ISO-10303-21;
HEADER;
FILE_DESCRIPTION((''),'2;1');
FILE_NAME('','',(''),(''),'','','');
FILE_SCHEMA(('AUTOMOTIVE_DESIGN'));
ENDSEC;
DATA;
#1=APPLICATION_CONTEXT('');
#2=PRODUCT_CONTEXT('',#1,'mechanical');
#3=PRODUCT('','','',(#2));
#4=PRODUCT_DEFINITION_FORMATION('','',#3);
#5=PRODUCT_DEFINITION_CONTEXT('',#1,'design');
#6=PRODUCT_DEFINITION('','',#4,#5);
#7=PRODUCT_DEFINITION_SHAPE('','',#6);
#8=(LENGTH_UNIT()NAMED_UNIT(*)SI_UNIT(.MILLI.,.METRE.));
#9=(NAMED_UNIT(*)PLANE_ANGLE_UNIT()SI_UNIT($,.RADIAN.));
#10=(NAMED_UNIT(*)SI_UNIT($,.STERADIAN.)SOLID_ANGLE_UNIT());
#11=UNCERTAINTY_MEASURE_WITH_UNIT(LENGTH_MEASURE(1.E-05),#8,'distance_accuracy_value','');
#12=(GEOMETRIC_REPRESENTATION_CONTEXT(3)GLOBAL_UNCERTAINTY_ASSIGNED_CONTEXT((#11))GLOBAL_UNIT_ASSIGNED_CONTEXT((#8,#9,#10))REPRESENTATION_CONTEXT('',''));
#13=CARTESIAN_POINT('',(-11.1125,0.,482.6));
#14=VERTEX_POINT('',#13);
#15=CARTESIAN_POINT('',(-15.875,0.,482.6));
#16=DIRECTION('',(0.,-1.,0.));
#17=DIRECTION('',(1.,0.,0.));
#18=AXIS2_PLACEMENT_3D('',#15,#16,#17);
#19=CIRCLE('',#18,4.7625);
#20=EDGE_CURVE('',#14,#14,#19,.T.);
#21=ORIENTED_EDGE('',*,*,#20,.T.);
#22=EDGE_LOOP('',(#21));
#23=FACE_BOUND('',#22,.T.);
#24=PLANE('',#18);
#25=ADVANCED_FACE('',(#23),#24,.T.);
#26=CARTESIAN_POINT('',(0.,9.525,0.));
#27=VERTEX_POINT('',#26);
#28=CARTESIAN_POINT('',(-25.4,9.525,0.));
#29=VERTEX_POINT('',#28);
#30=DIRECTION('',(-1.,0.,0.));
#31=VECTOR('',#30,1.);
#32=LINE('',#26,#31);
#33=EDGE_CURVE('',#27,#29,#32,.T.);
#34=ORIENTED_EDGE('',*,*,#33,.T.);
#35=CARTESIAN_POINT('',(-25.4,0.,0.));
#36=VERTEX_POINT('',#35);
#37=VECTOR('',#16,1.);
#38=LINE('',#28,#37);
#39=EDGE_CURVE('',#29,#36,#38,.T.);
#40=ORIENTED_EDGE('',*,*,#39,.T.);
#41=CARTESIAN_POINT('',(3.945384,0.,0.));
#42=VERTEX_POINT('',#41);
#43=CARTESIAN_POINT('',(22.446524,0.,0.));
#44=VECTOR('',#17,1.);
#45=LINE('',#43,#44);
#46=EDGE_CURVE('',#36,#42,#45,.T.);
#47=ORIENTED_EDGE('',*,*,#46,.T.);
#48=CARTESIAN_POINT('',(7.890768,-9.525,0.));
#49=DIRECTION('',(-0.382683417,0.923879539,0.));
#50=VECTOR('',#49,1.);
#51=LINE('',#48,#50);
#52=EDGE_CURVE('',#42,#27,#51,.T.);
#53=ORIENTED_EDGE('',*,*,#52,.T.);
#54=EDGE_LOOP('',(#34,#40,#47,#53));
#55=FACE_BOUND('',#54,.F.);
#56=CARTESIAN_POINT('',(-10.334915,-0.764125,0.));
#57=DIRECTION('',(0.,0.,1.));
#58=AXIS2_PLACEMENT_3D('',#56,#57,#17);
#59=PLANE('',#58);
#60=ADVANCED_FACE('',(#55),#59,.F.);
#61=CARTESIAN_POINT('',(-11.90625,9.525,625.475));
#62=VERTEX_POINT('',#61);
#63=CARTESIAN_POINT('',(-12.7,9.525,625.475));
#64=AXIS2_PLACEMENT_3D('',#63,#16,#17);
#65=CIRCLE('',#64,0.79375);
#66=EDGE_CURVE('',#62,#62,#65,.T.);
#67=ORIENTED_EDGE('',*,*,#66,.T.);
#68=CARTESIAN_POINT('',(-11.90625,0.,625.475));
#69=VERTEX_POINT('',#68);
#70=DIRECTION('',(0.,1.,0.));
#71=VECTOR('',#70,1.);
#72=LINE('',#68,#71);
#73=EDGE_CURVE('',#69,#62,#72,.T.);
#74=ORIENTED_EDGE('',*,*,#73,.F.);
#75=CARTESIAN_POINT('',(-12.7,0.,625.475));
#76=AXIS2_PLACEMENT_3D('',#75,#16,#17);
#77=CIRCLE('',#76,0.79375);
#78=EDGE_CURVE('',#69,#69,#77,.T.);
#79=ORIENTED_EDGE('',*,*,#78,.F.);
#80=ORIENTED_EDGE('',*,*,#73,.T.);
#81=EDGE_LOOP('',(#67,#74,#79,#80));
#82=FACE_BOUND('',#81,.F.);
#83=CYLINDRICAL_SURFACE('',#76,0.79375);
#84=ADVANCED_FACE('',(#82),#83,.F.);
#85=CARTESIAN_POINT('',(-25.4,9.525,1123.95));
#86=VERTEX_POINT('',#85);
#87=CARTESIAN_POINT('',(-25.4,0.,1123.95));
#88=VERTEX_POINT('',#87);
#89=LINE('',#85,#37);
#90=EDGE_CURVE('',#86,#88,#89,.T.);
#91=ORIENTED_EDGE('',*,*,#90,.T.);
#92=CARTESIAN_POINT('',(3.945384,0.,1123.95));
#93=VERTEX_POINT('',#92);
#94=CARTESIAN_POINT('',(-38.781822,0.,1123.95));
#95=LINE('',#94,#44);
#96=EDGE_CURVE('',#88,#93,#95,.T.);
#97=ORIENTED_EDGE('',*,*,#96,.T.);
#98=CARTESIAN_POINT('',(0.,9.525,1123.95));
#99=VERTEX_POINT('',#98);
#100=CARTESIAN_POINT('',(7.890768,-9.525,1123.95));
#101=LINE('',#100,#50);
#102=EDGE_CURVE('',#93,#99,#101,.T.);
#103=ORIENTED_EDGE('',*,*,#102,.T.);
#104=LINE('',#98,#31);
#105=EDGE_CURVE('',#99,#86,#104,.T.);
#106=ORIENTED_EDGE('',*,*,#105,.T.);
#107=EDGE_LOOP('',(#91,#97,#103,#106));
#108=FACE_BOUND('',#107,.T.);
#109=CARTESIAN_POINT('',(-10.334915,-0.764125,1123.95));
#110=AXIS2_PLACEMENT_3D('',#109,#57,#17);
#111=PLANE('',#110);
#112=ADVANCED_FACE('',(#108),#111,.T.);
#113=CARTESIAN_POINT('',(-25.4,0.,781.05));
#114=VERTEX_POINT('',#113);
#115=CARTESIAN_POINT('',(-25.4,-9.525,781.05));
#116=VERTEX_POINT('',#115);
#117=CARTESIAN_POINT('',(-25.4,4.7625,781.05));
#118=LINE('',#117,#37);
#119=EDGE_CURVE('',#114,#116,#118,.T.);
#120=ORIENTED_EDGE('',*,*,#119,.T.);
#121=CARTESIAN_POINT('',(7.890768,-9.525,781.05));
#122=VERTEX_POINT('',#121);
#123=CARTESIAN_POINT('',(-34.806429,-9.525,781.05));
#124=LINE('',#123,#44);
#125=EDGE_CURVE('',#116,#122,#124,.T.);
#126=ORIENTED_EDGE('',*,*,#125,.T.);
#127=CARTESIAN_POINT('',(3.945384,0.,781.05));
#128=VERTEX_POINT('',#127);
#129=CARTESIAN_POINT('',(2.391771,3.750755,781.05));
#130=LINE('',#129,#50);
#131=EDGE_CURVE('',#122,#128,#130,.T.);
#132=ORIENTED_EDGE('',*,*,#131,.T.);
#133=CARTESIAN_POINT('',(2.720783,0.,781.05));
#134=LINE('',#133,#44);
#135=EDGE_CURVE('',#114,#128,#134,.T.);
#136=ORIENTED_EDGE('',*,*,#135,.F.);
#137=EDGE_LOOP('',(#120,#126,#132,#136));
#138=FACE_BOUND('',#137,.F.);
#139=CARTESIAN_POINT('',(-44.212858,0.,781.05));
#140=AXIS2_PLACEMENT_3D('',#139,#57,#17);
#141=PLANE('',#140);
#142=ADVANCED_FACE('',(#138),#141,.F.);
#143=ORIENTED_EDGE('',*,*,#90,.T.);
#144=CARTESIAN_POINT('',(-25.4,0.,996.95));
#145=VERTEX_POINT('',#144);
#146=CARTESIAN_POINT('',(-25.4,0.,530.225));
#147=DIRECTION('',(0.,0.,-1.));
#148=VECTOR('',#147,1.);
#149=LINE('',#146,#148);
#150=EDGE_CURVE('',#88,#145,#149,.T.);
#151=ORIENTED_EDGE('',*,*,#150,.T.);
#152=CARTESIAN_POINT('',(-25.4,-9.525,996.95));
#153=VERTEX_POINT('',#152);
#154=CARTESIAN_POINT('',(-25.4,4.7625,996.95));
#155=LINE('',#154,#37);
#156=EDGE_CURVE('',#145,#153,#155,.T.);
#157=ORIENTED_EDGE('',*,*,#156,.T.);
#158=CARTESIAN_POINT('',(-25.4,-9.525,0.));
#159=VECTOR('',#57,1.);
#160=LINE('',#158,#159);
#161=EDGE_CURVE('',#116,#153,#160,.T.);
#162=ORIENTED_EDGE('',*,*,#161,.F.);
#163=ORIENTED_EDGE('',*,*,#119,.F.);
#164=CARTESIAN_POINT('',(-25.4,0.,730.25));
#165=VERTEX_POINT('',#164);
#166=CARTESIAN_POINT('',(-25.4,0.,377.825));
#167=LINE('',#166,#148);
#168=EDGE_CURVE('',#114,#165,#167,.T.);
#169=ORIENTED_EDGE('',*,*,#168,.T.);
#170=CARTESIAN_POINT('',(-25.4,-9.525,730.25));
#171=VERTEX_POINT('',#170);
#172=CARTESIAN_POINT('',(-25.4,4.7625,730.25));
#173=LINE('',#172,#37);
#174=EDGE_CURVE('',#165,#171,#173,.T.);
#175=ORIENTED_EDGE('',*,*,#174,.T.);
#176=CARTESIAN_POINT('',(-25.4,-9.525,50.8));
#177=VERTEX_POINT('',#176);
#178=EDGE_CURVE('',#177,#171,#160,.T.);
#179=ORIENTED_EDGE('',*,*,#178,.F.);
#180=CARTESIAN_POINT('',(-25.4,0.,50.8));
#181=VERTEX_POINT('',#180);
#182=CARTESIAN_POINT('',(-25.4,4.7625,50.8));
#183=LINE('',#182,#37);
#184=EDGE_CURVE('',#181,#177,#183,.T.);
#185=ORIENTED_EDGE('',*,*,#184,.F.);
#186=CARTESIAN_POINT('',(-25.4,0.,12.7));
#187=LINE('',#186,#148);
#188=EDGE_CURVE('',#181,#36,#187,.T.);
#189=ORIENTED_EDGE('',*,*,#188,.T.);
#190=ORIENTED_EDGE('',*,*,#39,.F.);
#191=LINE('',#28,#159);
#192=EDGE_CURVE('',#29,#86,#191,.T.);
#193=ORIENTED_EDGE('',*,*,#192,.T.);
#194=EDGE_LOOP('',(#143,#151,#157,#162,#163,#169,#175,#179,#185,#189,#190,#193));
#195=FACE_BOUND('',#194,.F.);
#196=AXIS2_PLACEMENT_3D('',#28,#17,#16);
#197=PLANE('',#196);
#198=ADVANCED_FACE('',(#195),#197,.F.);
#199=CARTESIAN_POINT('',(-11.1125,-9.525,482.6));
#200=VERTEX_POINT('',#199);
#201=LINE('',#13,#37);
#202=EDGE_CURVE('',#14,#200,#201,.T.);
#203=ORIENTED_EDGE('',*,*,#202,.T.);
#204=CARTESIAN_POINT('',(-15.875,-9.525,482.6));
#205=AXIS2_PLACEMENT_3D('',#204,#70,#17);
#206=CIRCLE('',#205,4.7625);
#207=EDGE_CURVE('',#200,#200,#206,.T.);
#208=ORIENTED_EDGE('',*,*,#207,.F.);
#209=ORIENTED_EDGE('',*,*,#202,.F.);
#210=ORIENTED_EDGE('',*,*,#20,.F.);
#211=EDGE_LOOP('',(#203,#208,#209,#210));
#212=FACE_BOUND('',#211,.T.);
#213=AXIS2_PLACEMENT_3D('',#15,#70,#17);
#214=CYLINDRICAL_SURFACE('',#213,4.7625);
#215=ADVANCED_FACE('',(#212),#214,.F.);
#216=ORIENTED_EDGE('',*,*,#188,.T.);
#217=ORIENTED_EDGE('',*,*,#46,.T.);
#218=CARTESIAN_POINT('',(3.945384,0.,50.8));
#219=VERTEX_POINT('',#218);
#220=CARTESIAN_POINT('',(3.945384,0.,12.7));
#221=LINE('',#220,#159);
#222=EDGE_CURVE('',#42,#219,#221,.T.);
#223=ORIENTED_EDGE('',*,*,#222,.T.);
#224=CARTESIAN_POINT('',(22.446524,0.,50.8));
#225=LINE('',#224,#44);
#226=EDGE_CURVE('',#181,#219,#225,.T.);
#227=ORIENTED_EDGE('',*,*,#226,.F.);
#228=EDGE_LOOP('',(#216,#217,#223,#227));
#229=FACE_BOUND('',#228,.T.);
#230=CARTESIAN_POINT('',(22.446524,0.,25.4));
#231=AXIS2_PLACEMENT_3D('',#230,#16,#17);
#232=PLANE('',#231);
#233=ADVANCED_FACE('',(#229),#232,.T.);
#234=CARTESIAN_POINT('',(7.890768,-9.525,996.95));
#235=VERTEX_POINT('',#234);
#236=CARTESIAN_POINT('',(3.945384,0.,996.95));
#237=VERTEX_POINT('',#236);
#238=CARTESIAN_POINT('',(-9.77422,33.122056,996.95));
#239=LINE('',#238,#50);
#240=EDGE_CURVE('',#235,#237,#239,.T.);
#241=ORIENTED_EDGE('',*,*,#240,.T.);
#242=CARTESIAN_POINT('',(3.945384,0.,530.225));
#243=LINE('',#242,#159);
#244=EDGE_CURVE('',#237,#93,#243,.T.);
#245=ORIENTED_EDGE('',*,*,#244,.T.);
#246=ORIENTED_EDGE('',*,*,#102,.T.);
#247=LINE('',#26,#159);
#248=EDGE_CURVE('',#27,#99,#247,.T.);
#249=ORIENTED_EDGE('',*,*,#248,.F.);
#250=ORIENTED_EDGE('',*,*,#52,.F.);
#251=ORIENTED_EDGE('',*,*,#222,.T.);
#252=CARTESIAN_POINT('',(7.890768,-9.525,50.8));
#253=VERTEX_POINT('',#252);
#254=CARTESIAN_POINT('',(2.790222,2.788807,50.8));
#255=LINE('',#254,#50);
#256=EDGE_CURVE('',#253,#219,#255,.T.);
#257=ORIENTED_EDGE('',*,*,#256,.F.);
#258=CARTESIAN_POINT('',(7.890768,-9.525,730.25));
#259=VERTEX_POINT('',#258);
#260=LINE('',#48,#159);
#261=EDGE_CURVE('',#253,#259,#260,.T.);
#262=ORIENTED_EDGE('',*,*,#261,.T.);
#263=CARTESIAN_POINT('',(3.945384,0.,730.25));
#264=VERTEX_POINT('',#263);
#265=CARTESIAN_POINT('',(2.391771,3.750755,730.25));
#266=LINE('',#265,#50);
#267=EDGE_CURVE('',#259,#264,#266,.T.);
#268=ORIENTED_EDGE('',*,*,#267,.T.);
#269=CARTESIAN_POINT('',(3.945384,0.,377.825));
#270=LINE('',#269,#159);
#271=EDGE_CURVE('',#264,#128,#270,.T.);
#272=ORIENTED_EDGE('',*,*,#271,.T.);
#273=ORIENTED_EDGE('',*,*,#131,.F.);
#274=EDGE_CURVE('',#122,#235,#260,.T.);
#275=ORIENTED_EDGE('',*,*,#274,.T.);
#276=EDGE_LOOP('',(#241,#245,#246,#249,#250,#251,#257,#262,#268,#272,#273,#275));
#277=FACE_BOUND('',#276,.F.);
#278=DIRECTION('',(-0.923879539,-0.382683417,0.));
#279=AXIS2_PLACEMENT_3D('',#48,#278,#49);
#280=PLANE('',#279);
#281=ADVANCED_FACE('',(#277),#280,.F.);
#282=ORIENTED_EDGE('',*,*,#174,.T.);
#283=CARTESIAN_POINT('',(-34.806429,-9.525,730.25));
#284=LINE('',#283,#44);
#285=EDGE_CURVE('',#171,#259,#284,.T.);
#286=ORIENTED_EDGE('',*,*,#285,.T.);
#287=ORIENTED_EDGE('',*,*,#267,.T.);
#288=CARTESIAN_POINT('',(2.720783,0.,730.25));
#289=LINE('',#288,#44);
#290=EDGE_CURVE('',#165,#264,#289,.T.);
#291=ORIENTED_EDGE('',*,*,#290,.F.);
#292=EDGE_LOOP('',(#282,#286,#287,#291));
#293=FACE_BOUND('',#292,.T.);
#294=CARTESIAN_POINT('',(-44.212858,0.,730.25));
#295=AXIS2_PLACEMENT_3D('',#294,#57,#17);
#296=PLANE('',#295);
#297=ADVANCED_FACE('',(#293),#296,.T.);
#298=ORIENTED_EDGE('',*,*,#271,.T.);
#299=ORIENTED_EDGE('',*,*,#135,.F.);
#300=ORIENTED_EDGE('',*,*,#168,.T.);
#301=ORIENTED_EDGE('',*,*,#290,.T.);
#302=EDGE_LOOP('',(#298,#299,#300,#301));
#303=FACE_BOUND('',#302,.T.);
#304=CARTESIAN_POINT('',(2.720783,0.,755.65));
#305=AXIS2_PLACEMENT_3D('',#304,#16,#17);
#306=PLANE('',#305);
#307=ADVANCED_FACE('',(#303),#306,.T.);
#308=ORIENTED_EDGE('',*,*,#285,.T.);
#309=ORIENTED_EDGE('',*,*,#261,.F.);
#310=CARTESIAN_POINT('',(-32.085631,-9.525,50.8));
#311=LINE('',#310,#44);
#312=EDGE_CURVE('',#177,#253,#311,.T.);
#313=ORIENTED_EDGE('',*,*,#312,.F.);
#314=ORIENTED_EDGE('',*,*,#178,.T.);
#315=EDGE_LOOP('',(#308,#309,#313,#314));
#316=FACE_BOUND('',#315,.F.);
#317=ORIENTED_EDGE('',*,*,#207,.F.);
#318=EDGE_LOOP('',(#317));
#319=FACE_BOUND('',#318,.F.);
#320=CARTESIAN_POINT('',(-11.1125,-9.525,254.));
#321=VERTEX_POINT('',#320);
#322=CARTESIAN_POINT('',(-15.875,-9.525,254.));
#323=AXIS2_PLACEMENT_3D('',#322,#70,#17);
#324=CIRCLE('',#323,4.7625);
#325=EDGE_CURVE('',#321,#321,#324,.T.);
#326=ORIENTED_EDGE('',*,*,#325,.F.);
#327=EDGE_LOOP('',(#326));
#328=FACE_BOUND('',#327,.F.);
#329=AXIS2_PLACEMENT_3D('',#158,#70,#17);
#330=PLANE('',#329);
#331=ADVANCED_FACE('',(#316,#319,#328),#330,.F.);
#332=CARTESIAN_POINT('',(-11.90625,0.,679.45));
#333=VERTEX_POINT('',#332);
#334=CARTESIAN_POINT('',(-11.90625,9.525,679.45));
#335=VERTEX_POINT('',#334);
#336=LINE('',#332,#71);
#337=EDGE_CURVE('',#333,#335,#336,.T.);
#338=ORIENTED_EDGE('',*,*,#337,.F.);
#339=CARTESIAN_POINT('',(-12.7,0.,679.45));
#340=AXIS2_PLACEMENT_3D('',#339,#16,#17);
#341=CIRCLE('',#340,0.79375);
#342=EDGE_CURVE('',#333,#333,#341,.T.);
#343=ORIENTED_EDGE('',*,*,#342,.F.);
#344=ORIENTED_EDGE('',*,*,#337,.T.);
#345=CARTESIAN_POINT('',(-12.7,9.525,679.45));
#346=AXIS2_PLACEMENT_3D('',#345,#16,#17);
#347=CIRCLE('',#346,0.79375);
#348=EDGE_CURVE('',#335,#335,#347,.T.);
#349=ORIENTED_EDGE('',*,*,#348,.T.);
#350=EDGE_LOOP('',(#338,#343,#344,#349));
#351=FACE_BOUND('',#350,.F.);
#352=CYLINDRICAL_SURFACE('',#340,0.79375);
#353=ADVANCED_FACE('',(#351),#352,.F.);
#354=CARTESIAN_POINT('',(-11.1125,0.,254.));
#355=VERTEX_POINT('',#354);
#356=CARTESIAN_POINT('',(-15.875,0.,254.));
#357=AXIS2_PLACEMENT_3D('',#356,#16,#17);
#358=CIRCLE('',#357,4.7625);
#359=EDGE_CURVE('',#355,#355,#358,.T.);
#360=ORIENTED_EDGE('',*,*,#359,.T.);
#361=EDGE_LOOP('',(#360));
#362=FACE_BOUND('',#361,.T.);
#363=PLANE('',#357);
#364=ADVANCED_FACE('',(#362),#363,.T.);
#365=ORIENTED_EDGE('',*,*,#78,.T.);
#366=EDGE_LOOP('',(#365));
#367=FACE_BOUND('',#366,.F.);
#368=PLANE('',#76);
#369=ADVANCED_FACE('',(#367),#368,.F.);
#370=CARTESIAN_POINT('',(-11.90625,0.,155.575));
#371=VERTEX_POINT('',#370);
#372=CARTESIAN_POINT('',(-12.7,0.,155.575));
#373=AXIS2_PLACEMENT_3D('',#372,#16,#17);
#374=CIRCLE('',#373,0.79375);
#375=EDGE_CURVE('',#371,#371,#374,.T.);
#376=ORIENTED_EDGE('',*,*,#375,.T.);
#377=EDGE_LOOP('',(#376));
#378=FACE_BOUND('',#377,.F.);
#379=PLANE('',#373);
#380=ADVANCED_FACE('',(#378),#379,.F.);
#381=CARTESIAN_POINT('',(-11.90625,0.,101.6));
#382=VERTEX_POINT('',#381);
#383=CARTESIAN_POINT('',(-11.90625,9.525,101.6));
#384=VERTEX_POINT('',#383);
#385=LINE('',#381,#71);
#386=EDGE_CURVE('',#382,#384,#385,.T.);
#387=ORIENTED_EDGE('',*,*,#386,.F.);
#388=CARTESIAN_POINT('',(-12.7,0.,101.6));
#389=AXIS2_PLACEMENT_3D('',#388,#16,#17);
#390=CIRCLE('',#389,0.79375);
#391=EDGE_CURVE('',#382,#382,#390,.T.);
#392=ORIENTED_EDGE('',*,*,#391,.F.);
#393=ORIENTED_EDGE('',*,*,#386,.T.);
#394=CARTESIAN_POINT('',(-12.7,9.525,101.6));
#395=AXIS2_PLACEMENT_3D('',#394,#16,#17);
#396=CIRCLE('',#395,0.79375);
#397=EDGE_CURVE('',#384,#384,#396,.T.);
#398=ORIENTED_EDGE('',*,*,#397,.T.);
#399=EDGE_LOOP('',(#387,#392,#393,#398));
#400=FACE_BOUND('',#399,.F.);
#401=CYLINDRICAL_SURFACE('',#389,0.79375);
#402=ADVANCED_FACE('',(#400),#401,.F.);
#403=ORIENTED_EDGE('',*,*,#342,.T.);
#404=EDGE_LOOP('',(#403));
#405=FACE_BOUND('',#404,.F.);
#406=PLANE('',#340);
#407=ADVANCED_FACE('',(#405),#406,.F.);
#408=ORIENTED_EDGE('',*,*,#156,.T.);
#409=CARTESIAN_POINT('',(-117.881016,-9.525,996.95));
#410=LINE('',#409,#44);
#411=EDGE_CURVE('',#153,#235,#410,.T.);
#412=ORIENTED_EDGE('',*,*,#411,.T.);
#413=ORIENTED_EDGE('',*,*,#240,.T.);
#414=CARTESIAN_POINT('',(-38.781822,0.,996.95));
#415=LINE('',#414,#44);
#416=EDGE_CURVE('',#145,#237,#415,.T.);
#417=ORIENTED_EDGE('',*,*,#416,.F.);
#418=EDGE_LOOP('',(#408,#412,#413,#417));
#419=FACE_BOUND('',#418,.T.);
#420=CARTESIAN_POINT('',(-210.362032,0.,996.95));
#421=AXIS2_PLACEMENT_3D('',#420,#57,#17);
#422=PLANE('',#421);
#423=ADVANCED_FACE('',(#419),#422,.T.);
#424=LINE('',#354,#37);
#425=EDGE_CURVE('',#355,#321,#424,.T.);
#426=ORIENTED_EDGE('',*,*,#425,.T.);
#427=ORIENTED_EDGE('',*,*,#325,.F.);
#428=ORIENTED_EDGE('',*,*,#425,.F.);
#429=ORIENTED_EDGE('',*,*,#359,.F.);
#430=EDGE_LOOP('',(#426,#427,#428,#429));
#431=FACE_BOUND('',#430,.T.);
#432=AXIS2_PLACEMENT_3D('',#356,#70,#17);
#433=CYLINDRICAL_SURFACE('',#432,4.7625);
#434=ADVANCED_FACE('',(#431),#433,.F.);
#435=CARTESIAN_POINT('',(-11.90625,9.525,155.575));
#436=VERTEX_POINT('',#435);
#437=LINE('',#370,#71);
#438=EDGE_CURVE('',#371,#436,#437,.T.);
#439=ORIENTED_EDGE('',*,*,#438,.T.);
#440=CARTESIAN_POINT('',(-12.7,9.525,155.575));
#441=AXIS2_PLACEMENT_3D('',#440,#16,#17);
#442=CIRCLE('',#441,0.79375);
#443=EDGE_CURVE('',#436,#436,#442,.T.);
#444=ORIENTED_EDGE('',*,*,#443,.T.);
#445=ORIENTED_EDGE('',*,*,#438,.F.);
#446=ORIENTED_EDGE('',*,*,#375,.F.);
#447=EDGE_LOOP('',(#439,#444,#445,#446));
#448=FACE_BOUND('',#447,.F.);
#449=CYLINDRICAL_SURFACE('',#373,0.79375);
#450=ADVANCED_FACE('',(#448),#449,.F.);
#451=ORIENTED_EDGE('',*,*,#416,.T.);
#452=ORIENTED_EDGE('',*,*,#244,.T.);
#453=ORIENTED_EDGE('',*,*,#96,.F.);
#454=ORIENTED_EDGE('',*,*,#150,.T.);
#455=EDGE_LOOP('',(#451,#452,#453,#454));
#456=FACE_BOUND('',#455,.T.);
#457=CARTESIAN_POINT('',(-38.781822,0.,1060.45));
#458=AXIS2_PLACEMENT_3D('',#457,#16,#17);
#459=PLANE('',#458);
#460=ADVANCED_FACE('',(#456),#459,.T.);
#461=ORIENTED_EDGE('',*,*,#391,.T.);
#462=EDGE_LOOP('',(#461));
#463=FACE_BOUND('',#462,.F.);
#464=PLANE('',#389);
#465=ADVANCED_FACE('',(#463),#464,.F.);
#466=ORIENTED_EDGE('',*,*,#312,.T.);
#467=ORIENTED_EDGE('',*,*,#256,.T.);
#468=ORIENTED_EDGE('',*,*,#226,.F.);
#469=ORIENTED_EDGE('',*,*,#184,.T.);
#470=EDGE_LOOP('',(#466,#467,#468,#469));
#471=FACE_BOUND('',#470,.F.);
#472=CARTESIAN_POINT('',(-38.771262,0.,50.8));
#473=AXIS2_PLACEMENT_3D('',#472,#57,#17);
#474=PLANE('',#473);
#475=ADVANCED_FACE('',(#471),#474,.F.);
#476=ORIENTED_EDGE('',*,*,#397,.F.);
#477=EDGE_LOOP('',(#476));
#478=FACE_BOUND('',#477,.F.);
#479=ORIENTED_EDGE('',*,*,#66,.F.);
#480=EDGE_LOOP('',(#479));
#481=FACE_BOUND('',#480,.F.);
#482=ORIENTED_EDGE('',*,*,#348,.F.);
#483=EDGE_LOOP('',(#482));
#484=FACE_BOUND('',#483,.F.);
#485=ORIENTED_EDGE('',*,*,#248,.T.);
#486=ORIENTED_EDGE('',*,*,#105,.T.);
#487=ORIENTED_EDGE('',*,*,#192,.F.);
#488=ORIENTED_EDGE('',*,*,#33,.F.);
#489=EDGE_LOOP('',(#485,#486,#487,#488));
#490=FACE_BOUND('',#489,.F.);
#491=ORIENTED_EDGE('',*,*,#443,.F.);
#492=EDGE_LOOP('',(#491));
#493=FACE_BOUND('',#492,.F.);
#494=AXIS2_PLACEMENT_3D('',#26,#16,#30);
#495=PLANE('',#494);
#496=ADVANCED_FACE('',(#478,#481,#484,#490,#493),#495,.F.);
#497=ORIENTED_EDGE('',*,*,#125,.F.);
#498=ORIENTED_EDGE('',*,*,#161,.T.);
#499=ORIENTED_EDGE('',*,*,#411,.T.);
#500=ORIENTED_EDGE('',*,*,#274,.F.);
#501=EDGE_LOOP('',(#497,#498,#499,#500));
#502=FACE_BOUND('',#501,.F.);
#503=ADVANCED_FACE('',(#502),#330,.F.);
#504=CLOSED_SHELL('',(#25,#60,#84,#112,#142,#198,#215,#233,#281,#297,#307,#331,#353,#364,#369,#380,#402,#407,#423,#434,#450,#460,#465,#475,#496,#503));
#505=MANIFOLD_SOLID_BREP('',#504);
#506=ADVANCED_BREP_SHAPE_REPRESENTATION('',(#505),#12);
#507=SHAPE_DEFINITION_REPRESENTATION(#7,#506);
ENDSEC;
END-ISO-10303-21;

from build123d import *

# Parameters (mm, degrees)
F1_DEPTH = 1123.95
F2_W     = 122.435573
F2_H     = 50.8
F2_W_2   = 93.867282
F2_W_3   = 343.160421
F2_H_2   = 127
F3_DEPTH = 25.4
F4_R     = 0.79375
F5_DEPTH = 25.4
F6_R     = 4.7625
F7_DEPTH = 25.4


with BuildPart() as f1:
    # F0 (on Top) → F1 (new body)
    with BuildSketch(Plane.XY):
        Polygon((7.890768, -9.525), (0, 9.525), (-25.4, 9.525), (-25.4, -9.525), align=None)
    extrude(amount=F1_DEPTH)

    # F2 (on Front) → F3 (cut)
    with BuildSketch(Plane.XZ):
        with Locations((22.446524, 25.4)):
            Rectangle(F2_W, F2_H)
        with Locations((2.720783, 755.65)):
            Rectangle(F2_W_2, F2_H)
        with Locations((-38.781822, 1060.45)):
            Rectangle(F2_W_3, F2_H_2)
    extrude(amount=F3_DEPTH, mode=Mode.SUBTRACT)

    # F4 (on Front) → F5 (cut)
    with BuildSketch(Plane.XZ):
        with Locations((12.7, 101.6)):
            Circle(F4_R)
        with Locations((12.7, 155.575)):
            Circle(F4_R)
        with Locations((12.7, 625.475)):
            Circle(F4_R)
        with Locations((12.7, 679.45)):
            Circle(F4_R)
        with Locations((-12.7, 625.475)):
            Circle(F4_R)
        with Locations((-12.7, 679.45)):
            Circle(F4_R)
        with Locations((-12.7, 101.6)):
            Circle(F4_R)
        with Locations((-12.7, 155.575)):
            Circle(F4_R)
    extrude(amount=-F5_DEPTH, mode=Mode.SUBTRACT)

    # F6 (on Front) → F7 (cut)
    with BuildSketch(Plane.XZ):
        with Locations((-15.875, 254)):
            Circle(F6_R)
        with Locations((-15.875, 482.6)):
            Circle(F6_R)
    extrude(amount=F7_DEPTH, mode=Mode.SUBTRACT)


solid = f1.part
